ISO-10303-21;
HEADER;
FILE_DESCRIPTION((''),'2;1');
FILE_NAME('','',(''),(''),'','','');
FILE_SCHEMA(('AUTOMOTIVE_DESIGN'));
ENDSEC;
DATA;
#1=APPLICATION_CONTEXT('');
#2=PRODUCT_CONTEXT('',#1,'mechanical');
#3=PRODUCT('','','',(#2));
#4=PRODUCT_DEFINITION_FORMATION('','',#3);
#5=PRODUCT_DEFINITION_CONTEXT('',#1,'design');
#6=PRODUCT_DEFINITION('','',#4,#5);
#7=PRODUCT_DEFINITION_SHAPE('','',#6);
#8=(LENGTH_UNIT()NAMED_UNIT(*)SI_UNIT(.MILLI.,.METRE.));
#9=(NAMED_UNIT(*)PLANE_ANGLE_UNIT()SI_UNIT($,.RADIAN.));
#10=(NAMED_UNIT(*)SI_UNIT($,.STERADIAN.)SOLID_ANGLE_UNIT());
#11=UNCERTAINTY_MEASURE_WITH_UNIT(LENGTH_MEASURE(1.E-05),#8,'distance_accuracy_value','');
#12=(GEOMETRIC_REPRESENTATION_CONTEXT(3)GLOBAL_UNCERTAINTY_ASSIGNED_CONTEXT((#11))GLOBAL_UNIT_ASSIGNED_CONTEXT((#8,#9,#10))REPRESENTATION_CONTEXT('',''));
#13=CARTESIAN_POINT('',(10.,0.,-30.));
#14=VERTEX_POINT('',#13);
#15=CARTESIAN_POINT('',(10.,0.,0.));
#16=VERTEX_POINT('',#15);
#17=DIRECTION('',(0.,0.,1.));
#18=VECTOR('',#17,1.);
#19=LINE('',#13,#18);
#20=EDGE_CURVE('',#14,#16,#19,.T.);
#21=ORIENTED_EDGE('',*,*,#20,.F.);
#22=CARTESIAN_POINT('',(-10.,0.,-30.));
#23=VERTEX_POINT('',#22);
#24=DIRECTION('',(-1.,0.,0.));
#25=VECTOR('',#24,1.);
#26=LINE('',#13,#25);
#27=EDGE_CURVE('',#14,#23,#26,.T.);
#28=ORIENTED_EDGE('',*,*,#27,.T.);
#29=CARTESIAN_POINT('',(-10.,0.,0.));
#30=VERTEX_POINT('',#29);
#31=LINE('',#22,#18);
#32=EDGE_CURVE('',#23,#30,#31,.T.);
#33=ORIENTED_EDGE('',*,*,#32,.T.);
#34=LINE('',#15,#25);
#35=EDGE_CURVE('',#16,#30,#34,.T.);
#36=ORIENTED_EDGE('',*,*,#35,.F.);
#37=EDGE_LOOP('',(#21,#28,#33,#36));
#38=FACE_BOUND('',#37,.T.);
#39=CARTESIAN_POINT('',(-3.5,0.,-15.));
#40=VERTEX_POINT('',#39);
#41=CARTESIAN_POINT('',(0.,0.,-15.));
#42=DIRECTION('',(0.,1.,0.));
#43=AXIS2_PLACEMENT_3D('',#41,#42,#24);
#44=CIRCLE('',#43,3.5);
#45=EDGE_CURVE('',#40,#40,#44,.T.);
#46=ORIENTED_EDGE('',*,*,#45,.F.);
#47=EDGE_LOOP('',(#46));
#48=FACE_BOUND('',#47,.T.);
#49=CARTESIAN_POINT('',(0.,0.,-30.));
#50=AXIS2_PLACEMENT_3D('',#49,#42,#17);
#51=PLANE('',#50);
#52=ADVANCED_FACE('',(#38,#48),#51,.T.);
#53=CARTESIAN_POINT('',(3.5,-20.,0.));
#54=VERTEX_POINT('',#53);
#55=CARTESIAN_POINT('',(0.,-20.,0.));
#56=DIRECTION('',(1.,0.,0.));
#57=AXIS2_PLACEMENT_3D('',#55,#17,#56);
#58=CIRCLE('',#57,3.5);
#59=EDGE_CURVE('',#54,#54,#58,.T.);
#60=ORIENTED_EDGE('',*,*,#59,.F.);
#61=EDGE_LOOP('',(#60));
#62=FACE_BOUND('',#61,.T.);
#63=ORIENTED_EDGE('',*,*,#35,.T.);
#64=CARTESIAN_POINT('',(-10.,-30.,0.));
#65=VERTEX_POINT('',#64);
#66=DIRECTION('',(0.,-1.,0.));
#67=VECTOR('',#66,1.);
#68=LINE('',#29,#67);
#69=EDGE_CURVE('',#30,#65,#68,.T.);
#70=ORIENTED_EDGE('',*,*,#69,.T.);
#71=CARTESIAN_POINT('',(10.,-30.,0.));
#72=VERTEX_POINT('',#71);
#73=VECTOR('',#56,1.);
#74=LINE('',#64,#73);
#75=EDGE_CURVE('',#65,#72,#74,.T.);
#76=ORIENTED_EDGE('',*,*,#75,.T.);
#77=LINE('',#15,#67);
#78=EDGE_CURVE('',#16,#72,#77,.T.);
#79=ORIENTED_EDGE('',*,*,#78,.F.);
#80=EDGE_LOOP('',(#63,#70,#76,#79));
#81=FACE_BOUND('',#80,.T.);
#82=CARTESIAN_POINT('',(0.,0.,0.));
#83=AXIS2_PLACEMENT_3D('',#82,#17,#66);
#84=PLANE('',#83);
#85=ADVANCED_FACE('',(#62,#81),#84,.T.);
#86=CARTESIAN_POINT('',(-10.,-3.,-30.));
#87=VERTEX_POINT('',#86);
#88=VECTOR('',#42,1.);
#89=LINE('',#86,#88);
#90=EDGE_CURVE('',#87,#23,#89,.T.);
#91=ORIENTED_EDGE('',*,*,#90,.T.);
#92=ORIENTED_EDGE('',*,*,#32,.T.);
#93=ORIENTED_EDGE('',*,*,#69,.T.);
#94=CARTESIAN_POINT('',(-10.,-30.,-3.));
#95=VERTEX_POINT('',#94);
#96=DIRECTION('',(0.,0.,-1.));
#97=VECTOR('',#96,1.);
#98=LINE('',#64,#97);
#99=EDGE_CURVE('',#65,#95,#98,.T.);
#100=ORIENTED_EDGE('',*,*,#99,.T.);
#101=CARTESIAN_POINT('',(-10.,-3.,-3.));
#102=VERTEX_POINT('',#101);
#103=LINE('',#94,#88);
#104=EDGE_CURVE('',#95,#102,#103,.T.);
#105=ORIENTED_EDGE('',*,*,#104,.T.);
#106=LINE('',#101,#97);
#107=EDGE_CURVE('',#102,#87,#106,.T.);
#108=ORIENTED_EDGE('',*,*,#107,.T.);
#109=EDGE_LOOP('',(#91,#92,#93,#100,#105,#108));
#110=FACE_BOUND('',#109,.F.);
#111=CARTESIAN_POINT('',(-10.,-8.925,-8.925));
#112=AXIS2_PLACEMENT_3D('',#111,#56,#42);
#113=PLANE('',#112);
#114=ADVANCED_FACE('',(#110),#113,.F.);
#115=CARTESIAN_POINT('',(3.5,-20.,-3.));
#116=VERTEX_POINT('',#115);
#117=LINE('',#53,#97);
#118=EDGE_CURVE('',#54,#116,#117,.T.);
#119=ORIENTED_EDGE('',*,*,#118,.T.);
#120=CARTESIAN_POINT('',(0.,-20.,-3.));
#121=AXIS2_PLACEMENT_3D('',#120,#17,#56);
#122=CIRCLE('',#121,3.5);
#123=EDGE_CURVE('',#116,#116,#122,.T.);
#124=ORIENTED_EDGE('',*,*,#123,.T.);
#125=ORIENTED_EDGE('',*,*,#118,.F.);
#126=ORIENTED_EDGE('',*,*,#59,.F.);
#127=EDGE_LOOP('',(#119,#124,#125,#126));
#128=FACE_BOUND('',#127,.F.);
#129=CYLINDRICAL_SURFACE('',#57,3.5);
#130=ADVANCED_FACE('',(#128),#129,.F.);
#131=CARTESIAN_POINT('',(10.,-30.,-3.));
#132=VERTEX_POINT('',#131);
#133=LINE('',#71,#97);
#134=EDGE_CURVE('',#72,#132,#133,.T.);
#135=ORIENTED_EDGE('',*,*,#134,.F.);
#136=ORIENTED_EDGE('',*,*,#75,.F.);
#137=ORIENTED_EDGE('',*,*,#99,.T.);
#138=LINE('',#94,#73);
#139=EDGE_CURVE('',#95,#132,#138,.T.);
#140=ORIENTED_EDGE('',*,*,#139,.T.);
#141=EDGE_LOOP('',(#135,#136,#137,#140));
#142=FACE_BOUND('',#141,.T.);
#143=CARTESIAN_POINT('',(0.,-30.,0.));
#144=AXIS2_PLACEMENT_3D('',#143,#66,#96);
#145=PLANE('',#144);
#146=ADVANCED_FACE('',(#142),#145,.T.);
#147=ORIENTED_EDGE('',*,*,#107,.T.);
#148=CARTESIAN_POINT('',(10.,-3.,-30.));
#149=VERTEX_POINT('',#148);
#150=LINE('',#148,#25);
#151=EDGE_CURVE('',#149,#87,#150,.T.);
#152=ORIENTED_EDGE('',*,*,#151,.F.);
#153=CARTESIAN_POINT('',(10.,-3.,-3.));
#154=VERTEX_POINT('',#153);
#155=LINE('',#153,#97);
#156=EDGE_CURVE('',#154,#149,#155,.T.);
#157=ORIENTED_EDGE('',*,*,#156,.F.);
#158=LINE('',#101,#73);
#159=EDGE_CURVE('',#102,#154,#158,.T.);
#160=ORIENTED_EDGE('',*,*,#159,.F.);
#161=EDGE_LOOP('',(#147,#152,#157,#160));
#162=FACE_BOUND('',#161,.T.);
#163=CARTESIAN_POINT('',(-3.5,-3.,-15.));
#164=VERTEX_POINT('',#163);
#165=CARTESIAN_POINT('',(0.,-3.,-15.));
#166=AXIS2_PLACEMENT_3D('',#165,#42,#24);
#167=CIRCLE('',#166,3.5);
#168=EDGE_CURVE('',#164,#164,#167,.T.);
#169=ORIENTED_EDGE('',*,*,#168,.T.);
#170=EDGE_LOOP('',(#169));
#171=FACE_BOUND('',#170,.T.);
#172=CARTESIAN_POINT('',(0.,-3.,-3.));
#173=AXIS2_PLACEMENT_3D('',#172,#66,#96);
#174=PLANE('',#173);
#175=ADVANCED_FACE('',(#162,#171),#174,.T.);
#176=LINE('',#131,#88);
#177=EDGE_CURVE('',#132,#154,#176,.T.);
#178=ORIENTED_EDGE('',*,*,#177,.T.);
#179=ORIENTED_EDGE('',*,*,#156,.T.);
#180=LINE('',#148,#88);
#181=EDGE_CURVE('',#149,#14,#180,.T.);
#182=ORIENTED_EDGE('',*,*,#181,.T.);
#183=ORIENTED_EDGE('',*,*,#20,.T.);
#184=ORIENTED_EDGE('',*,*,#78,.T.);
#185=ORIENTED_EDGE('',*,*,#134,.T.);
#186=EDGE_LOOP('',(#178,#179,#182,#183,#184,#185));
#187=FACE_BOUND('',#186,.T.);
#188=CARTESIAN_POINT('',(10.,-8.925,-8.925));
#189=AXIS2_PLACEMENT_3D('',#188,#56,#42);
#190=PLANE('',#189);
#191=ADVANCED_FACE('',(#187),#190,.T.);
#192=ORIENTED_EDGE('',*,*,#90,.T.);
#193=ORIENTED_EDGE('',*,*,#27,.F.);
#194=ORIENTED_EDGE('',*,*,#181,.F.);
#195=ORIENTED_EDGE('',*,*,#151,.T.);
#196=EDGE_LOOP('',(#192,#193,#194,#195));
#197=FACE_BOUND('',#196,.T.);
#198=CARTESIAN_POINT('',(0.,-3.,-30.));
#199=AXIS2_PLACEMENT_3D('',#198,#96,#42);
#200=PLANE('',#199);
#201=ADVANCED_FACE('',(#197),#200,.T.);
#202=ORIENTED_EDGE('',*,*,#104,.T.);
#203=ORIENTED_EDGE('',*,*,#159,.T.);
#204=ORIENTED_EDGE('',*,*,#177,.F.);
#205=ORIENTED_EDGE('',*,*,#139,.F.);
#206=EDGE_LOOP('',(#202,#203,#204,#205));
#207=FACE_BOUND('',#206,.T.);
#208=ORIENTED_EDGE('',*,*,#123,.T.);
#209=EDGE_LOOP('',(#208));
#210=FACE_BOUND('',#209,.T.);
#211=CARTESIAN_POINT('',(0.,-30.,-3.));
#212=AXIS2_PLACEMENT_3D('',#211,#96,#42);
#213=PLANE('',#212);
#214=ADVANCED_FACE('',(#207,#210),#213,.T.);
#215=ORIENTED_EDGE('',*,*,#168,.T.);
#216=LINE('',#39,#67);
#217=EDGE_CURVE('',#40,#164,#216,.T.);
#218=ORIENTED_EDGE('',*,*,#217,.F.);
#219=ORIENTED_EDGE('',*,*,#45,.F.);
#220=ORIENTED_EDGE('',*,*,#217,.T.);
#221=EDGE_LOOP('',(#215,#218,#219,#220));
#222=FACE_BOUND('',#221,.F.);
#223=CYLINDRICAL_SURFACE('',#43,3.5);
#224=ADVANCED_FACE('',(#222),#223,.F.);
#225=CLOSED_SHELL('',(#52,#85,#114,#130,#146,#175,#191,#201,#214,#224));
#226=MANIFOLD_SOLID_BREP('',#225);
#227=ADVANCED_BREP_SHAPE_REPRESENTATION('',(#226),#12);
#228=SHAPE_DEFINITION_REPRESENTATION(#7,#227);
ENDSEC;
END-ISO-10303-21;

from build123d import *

# Parameters (mm, degrees)
F1_DEPTH = 10
F2_R     = 3.5
F3_DEPTH = 30.001
F4_R     = 3.5
F5_DEPTH = 30.001


with BuildPart() as f1:
    # F0 (on Right) → F1 (new body, symmetric)
    with BuildSketch(Plane.YZ):
        Polygon((0, 0), (-30, 0), (-30, -3), (-3, -3), (-3, -30), (0, -30), align=None)
    extrude(amount=F1_DEPTH, both=True)

    # F2 (on face) → F3 (cut, through all)
    with BuildSketch(Plane(origin=(0, 0, 0), x_dir=(-1, 0, 0), z_dir=(0, 1, 0))):
        with Locations((0, -15)):
            Circle(F2_R)
    extrude(amount=-F3_DEPTH, mode=Mode.SUBTRACT)

    # F4 (on face) → F5 (cut, through all)
    with BuildSketch(Plane.XY):
        with Locations((0, -20)):
            Circle(F4_R)
    extrude(amount=-F5_DEPTH, mode=Mode.SUBTRACT)


solid = f1.part
